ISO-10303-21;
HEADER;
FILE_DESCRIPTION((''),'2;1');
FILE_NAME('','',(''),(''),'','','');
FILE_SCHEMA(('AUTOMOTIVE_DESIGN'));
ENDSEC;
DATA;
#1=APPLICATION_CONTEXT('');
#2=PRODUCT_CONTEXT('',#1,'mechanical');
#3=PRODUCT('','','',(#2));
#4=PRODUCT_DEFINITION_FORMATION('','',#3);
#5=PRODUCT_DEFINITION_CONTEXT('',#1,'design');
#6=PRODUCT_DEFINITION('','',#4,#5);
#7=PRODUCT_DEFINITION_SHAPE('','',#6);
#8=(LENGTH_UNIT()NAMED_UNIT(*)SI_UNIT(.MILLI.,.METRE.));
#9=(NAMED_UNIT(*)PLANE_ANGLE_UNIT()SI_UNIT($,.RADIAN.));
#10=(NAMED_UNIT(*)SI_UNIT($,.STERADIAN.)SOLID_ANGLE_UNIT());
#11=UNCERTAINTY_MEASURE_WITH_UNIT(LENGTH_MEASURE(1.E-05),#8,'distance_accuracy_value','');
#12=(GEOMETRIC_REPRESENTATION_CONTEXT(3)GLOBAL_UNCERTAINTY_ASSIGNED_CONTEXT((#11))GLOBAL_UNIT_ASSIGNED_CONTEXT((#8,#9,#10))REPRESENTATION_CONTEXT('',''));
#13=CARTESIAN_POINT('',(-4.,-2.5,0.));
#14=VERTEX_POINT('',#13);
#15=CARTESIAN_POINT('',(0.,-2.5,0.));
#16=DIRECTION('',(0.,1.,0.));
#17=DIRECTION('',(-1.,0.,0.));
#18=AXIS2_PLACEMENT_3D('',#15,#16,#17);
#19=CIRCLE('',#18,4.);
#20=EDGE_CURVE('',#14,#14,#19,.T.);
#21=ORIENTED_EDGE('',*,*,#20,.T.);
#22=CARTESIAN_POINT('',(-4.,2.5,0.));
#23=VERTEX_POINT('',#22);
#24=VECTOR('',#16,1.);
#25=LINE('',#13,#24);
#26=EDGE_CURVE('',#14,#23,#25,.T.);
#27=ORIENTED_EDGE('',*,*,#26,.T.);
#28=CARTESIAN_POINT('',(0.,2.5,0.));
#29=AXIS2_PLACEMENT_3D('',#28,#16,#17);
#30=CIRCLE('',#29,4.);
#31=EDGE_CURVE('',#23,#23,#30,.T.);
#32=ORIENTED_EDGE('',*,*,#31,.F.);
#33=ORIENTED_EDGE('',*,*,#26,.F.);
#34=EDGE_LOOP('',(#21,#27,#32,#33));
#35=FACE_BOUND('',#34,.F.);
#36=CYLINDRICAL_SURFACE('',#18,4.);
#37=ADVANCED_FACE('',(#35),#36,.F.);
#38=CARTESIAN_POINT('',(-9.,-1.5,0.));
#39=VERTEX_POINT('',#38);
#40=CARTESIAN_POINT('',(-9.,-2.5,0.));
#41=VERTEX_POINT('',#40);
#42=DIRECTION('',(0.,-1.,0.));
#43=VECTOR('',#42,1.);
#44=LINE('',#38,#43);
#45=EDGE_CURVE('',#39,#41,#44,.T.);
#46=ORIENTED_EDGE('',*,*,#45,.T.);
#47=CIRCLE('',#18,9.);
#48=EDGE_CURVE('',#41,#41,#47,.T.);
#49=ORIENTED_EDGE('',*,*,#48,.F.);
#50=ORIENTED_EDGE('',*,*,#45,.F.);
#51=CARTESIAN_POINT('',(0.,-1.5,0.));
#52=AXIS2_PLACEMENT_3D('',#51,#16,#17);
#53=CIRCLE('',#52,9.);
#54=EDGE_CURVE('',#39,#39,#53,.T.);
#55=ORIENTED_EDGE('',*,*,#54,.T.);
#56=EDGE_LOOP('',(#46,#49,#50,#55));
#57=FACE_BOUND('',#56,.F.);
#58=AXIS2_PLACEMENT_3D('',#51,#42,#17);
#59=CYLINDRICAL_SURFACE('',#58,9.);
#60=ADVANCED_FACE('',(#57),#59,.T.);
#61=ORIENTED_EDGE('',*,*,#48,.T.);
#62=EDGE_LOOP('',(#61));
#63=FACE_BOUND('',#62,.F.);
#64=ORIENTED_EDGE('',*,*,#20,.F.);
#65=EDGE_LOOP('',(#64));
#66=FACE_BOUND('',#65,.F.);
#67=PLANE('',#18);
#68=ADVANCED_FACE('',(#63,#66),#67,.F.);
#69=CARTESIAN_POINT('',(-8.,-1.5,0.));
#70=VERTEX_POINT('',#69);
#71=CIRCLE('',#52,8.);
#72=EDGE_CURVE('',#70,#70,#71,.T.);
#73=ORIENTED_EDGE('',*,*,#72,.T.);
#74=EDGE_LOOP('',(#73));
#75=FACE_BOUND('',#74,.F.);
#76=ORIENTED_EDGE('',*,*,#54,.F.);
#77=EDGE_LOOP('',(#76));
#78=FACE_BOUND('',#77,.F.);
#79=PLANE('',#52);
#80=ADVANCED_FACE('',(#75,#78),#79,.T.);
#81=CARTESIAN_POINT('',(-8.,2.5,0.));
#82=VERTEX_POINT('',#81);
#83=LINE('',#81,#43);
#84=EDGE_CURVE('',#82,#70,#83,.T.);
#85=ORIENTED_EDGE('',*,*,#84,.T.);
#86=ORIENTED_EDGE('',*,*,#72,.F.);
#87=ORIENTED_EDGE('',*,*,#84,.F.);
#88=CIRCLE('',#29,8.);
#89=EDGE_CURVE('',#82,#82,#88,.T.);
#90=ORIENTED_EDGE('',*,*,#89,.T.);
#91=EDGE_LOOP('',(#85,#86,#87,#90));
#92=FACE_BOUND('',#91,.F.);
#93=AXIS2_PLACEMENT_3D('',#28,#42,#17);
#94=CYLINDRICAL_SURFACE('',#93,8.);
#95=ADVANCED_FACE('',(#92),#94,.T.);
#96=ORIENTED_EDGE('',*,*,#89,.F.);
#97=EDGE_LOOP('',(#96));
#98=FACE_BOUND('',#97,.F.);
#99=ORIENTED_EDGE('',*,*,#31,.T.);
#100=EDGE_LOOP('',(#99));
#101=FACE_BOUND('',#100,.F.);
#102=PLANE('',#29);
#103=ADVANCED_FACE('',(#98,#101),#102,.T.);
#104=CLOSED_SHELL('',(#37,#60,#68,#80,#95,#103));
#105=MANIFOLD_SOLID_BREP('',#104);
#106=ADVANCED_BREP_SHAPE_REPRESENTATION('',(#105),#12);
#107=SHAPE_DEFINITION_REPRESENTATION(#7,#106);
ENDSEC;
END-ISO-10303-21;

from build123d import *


with BuildPart() as part:
    # Sketch1 → Revolve1 (revolve)
    with BuildSketch(Plane.XY):
        Polygon((-9, -1.5), (-9, -2.5), (-4, -2.5), (-4, 2.5), (-8, 2.5), (-8, -1.5), align=None)
    revolve(axis=Axis((0, -2.5, 0), (0, 1, 0)))


solid = part.part
